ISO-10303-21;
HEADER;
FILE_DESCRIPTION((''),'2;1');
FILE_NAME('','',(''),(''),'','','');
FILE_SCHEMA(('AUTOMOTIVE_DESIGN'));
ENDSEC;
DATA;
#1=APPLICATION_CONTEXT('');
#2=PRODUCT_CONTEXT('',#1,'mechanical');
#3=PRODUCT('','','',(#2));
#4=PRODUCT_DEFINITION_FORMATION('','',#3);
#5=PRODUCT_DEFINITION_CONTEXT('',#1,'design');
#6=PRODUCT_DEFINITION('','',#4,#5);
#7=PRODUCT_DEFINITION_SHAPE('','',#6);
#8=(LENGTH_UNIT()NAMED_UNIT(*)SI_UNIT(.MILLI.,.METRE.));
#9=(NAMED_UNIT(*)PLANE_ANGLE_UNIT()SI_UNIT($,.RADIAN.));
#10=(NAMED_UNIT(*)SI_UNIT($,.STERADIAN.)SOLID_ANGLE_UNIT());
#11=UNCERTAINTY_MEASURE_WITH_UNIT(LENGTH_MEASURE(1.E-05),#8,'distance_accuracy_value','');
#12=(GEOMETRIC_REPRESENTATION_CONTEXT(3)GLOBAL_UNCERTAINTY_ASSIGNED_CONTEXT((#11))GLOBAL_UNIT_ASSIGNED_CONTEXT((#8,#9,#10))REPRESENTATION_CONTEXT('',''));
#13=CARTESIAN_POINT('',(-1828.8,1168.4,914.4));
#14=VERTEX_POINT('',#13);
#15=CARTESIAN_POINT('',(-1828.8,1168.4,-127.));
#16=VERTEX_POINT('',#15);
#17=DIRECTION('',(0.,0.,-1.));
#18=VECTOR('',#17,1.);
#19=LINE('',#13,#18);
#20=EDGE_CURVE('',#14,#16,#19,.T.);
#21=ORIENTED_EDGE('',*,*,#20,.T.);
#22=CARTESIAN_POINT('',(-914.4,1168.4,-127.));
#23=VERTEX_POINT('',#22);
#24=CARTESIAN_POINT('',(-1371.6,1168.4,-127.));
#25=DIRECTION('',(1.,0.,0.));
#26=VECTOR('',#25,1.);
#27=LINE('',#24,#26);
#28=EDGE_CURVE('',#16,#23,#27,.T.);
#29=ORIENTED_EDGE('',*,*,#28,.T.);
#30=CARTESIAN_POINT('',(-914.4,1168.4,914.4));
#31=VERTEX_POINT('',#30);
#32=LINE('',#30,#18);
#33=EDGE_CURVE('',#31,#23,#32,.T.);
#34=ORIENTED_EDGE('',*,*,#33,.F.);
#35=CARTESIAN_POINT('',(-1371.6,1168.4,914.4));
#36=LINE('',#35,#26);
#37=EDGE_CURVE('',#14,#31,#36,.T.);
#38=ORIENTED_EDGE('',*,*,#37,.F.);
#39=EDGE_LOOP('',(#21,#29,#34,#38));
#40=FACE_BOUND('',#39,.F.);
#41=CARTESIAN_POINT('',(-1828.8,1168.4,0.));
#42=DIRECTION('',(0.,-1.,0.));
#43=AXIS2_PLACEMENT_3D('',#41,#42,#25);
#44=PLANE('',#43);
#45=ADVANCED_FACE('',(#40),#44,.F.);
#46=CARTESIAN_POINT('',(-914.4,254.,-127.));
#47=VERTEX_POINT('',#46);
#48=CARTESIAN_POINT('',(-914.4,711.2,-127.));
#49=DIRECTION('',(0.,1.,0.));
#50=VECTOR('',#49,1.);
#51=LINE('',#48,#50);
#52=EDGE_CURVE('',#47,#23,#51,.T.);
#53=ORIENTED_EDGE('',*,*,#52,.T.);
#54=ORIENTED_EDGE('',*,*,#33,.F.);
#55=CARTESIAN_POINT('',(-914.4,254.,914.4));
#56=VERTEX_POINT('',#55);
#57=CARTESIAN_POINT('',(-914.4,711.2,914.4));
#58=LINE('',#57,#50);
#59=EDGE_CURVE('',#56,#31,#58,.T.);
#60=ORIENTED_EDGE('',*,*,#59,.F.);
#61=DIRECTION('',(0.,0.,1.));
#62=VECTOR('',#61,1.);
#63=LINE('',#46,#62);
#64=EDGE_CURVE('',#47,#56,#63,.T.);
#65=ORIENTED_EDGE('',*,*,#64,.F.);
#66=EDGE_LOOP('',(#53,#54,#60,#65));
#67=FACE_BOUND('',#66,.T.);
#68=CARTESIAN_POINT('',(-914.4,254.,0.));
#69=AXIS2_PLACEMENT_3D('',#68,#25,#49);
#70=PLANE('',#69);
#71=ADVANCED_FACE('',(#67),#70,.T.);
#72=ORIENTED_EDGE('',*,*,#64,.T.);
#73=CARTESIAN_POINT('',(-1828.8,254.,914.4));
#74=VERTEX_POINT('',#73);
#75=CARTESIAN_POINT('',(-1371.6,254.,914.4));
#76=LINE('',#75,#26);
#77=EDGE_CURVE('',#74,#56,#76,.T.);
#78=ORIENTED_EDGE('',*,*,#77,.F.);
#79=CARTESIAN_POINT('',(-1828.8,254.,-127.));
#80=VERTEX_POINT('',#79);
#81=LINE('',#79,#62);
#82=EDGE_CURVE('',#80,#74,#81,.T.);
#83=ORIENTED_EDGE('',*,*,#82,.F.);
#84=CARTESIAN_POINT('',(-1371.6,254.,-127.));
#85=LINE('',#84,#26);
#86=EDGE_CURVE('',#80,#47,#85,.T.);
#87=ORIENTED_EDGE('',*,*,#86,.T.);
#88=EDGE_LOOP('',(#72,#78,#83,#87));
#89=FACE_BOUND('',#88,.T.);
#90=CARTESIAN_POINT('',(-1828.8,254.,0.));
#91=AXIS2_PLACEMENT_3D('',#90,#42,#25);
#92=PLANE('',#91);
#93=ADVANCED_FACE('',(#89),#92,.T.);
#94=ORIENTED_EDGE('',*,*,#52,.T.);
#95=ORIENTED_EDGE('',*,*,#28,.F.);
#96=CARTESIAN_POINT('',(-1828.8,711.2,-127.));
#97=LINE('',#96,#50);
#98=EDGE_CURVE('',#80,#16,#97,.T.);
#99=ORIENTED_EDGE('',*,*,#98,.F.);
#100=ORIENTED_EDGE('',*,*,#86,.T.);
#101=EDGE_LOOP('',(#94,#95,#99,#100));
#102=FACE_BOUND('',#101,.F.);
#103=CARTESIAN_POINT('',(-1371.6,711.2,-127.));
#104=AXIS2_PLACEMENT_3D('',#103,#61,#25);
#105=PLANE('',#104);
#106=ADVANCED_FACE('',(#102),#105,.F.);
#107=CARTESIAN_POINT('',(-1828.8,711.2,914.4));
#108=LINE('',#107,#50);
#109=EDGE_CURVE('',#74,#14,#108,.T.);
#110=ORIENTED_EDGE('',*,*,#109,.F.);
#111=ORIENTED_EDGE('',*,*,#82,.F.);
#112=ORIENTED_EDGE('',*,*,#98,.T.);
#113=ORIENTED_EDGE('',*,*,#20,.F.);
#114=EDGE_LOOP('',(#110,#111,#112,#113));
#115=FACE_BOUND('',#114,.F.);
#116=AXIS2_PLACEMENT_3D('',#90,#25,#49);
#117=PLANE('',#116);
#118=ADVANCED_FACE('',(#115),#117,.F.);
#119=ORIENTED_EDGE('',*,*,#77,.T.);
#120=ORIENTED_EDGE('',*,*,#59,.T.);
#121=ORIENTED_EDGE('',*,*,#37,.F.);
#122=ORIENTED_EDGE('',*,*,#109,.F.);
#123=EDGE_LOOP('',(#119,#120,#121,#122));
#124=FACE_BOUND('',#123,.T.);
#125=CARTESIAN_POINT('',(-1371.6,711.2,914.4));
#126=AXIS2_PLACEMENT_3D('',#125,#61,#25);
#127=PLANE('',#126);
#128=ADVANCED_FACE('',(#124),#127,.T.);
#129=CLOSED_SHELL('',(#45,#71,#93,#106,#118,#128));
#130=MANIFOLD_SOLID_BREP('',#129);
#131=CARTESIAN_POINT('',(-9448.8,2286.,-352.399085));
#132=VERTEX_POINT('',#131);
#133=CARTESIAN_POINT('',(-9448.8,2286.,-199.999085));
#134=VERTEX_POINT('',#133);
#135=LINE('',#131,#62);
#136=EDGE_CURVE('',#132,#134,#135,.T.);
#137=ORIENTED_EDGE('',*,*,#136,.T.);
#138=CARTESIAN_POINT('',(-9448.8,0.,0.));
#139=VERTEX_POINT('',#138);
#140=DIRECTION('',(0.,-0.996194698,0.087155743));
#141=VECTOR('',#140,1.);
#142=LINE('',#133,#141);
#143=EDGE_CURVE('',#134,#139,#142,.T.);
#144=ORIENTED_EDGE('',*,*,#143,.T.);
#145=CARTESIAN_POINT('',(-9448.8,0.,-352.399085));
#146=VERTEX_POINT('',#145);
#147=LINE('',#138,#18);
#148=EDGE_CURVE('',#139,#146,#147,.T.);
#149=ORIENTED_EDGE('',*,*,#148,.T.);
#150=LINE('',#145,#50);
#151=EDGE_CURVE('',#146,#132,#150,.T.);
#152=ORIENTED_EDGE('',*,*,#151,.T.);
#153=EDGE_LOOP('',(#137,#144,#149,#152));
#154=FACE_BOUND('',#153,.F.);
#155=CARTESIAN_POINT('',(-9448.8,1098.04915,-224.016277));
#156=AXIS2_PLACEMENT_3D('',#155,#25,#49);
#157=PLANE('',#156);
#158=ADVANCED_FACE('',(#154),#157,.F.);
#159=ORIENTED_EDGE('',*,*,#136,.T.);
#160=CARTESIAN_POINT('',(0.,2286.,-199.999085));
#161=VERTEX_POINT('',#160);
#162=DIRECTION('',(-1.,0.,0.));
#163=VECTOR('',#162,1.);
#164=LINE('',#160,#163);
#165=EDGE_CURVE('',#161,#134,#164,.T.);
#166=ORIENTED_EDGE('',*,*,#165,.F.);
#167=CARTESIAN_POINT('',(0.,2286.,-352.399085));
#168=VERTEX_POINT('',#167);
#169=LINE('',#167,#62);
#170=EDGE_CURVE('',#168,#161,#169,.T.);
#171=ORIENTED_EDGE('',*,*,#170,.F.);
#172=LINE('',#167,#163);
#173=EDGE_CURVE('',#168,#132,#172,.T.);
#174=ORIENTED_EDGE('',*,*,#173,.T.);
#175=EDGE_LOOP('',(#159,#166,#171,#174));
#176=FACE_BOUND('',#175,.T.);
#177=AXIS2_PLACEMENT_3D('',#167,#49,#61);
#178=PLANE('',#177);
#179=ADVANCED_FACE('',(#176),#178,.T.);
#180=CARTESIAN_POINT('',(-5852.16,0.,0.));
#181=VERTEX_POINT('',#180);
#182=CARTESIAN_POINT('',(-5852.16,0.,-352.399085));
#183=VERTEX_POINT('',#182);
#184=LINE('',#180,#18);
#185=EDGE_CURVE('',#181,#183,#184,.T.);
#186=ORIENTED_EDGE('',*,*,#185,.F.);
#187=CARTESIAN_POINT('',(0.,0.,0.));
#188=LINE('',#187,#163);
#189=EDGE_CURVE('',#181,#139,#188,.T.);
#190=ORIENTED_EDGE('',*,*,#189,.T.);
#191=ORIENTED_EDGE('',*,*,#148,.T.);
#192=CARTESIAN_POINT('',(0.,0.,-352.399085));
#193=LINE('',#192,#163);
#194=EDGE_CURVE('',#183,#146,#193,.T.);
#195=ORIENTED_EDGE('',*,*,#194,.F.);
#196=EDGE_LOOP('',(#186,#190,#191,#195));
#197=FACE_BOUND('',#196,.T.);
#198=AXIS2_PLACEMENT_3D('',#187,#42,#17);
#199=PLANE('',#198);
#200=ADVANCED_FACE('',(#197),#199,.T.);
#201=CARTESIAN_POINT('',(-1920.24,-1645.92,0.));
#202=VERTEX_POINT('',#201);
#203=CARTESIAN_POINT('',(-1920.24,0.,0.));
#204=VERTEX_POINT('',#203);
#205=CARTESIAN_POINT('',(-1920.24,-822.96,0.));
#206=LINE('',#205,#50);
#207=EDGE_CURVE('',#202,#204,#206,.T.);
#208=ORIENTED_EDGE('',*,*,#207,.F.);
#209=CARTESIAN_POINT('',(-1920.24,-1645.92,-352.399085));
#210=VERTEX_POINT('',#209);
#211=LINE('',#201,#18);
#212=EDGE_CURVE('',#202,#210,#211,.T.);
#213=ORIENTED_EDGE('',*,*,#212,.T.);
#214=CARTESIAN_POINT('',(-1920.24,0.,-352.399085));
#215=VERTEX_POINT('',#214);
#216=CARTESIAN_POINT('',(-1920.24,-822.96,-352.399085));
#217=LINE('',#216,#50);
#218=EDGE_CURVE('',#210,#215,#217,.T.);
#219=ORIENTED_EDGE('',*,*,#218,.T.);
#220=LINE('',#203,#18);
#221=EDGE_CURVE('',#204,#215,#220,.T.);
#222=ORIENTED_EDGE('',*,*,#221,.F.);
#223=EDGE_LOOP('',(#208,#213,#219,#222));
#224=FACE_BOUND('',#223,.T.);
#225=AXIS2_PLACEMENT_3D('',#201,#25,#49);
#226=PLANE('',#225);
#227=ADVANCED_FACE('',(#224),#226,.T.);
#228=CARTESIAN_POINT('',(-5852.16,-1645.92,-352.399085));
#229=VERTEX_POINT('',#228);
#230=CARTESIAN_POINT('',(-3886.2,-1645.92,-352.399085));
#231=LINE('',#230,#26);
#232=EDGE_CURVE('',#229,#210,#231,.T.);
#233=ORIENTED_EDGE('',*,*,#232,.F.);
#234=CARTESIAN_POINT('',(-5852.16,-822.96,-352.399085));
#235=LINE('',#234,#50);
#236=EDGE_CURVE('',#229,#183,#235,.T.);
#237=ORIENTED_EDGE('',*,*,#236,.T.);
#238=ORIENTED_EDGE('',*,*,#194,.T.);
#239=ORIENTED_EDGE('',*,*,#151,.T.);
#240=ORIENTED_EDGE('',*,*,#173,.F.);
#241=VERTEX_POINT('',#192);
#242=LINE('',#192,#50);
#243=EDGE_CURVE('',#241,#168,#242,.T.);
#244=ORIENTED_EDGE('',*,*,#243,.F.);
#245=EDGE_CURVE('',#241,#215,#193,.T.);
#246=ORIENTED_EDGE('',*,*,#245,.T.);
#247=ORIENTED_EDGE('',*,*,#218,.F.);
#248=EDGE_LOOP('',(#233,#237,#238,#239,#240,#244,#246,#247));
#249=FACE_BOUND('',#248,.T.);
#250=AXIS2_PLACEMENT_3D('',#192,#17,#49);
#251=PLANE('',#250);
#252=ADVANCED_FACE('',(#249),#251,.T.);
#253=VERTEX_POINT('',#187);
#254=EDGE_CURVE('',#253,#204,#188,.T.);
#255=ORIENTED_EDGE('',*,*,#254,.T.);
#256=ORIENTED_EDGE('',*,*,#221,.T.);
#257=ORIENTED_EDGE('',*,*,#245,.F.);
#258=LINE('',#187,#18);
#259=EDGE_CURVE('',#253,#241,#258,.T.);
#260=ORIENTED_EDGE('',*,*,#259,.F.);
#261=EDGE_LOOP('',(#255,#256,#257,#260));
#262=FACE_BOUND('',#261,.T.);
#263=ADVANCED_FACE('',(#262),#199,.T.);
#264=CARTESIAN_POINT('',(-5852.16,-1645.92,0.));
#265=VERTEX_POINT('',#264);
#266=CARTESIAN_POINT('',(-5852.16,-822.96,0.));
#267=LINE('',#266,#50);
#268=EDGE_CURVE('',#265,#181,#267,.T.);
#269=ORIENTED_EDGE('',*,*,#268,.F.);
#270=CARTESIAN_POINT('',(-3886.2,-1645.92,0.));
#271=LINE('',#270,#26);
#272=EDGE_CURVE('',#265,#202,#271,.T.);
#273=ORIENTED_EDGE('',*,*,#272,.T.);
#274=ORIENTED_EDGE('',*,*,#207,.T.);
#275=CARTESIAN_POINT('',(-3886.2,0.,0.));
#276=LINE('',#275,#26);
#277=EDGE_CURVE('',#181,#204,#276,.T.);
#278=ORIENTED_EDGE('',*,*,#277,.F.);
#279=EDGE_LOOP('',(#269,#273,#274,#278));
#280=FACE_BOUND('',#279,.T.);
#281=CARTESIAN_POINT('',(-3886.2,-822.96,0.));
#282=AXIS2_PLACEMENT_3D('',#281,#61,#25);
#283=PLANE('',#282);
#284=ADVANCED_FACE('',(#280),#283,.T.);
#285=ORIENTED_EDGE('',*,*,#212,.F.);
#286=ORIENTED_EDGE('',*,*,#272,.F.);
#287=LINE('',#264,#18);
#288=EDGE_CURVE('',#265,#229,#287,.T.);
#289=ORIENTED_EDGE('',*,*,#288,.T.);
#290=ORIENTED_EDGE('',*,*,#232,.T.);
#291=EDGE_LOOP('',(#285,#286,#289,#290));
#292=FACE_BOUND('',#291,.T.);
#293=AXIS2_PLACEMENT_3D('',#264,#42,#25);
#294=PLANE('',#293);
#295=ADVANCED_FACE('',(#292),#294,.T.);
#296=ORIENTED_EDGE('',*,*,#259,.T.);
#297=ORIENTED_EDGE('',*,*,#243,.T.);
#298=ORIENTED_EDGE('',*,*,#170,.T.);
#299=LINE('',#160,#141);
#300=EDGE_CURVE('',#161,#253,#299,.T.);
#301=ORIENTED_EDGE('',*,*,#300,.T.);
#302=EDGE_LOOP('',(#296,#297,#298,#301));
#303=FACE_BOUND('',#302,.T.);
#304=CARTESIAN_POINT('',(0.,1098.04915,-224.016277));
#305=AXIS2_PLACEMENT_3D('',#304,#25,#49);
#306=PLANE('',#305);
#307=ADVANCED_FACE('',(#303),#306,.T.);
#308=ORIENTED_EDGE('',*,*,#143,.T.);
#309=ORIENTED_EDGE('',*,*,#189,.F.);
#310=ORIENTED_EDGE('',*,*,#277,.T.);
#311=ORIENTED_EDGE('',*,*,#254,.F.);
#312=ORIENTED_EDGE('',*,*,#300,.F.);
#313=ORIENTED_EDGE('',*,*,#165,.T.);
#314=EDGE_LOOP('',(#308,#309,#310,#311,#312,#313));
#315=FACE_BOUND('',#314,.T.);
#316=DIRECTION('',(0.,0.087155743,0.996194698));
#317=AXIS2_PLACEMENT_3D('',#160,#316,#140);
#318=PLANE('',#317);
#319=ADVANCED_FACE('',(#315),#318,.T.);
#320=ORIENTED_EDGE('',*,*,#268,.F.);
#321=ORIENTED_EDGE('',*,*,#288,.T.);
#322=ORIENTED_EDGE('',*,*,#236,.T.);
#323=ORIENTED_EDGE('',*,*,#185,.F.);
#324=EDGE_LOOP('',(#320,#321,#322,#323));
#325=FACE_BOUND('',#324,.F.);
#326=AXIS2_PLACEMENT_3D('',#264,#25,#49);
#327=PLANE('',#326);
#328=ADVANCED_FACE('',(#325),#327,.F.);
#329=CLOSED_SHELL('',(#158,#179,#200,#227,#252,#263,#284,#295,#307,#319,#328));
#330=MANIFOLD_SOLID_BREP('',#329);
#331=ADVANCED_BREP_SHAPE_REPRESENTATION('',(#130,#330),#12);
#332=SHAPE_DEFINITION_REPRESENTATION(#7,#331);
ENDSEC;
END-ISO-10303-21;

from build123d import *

# Parameters (mm, degrees)
F1_DEPTH      = 9448.8
F2_W          = 3931.92
F2_H          = 1645.92
F3_DEPTH      = 352.399085
F4_W          = 914.4
F4_H          = 914.4
F5_DEPTH      = 914.4
F5_DEPTH_BACK = 127


with BuildPart() as f1:
    # F0 (on Right) → F1 (new body)
    with BuildSketch(Plane.YZ):
        Polygon((2286, -199.999085), (0, 0), (0, -199.999085), (0, -352.399085), (2286, -352.399085), align=None)
    extrude(amount=-F1_DEPTH)

    # F2 (on Top) → F3 (join, through all)
    with BuildSketch(Plane.XY):
        with Locations((-3886.2, -822.96)):
            Rectangle(F2_W, F2_H)
    extrude(amount=-F3_DEPTH)


with BuildPart() as f5:
    # F4 (on Top) → F5 (new body, two sides)
    with BuildSketch(Plane.XY) as f5_sk:
        with Locations((-1371.6, 711.2)):
            Rectangle(F4_W, F4_H)
    extrude(amount=F5_DEPTH)
    extrude(f5_sk.sketch, amount=-F5_DEPTH_BACK)


solid = Compound([f1.part, f5.part])
